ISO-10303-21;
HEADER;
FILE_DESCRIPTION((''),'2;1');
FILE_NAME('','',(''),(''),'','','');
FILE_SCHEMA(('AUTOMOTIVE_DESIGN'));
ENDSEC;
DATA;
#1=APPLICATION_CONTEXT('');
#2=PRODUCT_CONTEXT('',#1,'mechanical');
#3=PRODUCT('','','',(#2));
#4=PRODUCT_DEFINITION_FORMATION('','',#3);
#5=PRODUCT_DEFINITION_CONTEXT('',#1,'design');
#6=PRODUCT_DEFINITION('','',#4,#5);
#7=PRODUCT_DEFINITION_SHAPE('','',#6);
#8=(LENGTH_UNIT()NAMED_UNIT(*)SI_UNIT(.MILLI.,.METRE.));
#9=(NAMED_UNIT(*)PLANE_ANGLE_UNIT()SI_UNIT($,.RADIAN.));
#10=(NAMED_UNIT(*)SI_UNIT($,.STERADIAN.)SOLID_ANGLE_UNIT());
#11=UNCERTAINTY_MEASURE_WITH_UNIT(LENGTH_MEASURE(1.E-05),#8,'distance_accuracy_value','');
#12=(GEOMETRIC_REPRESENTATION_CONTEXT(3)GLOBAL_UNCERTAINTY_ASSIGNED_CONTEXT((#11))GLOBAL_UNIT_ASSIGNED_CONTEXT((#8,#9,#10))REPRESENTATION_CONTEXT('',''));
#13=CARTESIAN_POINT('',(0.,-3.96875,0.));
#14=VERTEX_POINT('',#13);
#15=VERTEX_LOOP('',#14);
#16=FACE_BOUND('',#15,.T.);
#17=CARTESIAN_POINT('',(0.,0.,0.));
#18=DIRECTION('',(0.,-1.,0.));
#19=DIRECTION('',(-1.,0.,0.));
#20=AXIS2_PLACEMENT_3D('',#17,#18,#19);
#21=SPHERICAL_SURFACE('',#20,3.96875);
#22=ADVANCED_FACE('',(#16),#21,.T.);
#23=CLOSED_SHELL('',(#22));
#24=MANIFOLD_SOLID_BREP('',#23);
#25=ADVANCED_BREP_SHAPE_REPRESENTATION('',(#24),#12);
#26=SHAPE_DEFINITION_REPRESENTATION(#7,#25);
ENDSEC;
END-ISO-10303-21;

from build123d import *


with BuildPart() as part:
    # Sketch2 → Revolve1 (revolve)
    with BuildSketch(Plane.XY):
        with BuildLine():
            Line((0, 3.96875), (0, -3.96875))
            ThreePointArc((0, -3.96875), (-3.96875, 0), (0, 3.96875))
        make_face()
    revolve(axis=Axis((0, -7.156698923, 0), (0, 1, 0)))


solid = part.part
